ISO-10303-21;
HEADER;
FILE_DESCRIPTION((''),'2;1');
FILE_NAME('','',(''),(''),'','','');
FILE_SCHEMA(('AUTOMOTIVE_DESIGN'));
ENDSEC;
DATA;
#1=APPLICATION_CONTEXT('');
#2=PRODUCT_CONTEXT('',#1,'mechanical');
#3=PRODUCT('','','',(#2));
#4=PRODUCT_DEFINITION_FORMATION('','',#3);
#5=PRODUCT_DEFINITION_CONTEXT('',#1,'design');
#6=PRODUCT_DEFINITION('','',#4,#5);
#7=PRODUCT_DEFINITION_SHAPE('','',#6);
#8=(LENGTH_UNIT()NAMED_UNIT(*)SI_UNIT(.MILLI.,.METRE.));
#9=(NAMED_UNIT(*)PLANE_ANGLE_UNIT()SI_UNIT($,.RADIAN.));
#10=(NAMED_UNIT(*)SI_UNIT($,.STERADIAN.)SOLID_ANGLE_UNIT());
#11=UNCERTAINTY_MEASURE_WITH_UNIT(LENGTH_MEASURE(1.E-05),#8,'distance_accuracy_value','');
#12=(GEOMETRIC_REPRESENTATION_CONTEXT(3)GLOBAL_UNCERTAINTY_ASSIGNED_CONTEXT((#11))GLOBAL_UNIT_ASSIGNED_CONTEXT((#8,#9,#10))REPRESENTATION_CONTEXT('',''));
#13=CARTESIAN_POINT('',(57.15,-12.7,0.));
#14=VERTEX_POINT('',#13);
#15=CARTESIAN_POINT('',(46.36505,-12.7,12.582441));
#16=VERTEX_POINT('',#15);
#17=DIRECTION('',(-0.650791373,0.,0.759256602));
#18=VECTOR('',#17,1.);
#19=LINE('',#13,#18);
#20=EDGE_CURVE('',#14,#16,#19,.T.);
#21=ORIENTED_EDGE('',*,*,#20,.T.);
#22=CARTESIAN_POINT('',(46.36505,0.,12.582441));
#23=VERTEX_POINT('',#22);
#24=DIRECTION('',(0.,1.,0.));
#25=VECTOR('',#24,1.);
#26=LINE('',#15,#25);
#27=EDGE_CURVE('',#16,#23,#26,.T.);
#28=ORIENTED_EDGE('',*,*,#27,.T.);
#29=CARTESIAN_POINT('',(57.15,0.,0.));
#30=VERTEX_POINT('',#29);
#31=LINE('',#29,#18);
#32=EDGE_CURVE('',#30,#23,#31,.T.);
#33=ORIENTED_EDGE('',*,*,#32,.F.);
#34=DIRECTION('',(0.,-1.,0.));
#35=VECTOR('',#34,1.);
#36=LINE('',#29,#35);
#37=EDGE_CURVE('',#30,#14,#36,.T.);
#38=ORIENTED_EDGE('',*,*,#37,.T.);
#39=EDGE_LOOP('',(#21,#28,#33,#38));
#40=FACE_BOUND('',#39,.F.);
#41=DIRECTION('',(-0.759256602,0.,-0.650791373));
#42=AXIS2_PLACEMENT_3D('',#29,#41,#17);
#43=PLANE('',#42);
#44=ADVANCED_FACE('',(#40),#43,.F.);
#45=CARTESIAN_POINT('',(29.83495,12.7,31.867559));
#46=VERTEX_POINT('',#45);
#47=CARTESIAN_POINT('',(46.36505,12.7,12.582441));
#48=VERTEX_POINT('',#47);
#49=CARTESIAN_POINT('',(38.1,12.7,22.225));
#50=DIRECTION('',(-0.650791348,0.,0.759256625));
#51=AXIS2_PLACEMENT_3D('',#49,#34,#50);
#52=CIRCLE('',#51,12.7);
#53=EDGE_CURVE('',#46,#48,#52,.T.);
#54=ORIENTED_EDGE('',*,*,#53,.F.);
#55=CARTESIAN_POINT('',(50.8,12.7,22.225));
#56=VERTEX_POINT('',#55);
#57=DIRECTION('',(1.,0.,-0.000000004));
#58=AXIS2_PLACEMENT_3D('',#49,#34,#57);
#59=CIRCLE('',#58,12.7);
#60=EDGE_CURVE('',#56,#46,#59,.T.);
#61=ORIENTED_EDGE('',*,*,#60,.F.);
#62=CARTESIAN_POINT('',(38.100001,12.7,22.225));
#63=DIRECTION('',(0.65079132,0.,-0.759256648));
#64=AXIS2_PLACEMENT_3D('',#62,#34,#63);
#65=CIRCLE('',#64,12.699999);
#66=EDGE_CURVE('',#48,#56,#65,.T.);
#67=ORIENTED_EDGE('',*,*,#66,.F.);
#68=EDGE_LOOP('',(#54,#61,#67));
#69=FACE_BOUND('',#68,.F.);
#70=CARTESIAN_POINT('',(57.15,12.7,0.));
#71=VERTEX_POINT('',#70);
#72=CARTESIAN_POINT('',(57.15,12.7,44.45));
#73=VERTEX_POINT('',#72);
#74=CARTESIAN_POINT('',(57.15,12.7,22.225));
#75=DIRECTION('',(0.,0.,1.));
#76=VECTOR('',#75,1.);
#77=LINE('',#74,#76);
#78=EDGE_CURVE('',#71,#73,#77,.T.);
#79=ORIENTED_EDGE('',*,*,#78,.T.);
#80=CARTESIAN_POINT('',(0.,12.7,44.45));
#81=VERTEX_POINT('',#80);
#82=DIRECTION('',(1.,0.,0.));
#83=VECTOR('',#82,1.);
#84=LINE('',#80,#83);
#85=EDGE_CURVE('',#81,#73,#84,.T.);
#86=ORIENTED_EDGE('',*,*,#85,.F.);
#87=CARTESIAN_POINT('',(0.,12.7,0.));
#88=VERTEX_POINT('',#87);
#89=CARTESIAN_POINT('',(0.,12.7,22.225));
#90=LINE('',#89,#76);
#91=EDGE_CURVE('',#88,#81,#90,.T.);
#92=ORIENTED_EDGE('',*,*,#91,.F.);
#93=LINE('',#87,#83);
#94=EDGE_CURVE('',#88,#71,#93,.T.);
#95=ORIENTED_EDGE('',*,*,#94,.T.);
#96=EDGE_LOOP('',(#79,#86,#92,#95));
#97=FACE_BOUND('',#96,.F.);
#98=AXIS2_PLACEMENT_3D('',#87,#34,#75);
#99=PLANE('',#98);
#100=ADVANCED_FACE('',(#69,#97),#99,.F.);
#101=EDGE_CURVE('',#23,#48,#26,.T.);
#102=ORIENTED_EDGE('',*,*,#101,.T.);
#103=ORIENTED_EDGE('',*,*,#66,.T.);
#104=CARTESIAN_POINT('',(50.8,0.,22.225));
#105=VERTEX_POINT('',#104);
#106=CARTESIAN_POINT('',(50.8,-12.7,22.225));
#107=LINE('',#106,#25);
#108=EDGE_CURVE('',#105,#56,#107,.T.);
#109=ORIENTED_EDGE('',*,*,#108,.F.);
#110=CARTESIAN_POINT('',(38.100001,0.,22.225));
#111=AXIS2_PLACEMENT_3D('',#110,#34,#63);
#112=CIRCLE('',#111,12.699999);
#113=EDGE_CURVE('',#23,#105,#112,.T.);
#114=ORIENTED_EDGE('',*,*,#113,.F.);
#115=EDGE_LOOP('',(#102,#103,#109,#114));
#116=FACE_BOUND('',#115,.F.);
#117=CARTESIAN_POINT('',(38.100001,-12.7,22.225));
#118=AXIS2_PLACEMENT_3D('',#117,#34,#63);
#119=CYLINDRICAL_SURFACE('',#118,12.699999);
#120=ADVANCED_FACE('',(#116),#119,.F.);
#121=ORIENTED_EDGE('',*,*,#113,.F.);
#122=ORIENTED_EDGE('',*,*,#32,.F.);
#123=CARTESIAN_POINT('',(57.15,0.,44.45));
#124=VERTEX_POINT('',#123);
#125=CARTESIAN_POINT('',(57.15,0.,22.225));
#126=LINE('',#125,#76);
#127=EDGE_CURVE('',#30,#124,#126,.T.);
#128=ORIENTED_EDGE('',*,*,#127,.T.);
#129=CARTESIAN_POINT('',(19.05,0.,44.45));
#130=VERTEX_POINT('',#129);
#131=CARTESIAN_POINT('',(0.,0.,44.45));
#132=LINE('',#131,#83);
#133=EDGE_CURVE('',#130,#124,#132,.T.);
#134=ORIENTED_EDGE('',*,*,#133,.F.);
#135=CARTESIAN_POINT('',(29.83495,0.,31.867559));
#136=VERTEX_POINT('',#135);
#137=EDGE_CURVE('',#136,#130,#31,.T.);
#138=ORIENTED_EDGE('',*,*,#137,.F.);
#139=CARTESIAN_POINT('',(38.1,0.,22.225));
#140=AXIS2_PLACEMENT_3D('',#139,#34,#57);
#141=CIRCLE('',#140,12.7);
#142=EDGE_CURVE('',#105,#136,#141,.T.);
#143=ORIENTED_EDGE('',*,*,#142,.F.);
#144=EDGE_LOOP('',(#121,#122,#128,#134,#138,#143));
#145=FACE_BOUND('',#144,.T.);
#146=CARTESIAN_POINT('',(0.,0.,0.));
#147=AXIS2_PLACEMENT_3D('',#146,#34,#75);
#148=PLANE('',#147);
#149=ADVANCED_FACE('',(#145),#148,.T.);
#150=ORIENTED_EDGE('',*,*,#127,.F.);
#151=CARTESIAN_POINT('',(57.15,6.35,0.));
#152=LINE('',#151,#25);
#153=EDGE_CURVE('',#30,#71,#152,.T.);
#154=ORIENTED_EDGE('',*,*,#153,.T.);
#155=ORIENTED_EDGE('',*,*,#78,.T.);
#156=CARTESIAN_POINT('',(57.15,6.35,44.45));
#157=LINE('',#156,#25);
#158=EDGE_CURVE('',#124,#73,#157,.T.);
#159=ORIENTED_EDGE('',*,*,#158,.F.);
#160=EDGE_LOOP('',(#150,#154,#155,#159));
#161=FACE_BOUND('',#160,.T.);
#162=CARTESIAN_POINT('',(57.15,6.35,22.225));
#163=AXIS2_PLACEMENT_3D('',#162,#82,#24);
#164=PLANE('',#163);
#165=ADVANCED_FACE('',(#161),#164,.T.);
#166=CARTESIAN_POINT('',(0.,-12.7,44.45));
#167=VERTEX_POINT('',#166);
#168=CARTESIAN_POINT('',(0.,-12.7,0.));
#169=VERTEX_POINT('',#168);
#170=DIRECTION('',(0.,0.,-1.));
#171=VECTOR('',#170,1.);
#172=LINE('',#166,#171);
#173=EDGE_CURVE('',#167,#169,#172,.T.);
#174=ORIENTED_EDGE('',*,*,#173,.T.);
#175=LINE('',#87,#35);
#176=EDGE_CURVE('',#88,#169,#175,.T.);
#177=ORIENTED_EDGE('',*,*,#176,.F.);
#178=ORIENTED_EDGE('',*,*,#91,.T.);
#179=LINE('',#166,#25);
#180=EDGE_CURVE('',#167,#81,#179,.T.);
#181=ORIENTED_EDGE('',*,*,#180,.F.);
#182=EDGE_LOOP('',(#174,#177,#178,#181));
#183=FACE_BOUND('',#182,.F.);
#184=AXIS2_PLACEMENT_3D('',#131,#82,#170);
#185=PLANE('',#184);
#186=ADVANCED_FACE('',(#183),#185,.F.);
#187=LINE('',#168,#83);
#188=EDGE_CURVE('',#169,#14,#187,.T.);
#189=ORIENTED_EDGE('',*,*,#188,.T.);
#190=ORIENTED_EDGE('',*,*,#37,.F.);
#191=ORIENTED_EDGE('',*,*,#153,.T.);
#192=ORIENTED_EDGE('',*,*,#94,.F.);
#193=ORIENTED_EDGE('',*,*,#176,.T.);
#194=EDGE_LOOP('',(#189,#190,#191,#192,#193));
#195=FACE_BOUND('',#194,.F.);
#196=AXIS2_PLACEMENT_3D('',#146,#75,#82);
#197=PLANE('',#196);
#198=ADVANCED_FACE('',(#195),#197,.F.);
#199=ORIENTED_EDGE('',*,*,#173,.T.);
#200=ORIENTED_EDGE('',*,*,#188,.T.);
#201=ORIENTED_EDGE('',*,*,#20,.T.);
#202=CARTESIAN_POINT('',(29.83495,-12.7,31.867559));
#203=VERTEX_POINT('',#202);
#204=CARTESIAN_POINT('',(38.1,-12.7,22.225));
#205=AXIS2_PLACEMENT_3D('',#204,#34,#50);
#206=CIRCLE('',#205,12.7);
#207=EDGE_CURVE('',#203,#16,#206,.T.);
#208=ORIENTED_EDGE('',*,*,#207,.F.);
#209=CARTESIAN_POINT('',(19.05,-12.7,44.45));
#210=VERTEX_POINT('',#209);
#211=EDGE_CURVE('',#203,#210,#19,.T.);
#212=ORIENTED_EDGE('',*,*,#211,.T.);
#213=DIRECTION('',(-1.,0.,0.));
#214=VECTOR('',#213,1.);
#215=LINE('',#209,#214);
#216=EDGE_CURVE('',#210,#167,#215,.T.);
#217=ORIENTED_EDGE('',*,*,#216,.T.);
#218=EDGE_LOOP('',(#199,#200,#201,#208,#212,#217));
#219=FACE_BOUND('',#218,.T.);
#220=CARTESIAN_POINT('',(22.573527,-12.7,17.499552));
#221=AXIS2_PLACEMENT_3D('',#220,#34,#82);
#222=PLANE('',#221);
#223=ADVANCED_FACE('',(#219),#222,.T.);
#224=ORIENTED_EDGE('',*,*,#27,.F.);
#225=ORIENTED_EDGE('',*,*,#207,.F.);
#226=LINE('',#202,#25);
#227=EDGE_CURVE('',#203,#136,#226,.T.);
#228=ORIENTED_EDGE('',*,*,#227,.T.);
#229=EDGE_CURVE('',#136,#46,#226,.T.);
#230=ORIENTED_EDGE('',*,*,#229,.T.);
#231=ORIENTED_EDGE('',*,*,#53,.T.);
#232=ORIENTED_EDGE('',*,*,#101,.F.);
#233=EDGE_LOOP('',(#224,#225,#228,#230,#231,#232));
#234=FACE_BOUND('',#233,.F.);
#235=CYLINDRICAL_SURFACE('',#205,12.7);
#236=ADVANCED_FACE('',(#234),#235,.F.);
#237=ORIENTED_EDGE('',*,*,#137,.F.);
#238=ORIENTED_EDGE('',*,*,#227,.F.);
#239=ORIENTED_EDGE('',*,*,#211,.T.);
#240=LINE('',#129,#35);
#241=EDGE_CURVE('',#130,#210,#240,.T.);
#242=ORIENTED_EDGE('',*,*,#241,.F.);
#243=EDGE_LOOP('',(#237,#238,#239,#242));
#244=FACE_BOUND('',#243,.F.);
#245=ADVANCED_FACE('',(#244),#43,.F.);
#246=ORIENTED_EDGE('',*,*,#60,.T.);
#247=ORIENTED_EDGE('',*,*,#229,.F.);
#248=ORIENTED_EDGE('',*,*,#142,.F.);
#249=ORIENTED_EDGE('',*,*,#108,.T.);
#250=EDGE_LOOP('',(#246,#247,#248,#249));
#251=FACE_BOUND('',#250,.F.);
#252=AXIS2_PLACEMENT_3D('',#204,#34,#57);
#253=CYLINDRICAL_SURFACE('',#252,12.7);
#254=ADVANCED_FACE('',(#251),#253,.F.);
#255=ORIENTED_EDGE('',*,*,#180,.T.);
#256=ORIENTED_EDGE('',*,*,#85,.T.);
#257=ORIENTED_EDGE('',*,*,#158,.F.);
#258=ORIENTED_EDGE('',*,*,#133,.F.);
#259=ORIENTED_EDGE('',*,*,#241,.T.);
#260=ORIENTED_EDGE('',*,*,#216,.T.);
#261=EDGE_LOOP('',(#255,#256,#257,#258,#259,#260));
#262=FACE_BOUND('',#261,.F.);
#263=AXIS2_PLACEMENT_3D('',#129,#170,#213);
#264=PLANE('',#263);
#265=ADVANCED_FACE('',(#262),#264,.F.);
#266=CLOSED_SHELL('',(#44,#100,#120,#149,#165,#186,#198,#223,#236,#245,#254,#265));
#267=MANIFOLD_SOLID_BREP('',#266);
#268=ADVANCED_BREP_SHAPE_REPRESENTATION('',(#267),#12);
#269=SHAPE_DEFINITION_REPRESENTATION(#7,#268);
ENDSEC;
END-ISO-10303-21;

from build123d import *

# Parameters (mm, degrees)
F0_W     = 12.7
F0_H     = 44.45
F1_DEPTH = 57.15
F3_DEPTH = 12.7
F5_DEPTH = 25.4


with BuildPart() as f1:
    # F0 (on Right) → F1 (new body)
    with BuildSketch(Plane.YZ):
        with Locations((6.35, 22.225)):
            Rectangle(F0_W, F0_H)
    extrude(amount=F1_DEPTH)

    # F2 (on face) → F3 (join)
    with BuildSketch(Plane.XZ):
        Polygon((0, 44.45), (0, 0), (57.15, 0), (19.05, 44.45), align=None)
    extrude(amount=F3_DEPTH)

    # F4 (on face) → F5 (cut)
    with BuildSketch(Plane.XZ.offset(12.7)):
        with BuildLine():
            Line((46.36505, 12.582441), (29.83495, 31.867559))
            ThreePointArc((29.83495, 31.867559), (28.457441, 13.95995), (46.36505, 12.582441))
        make_face()
        with BuildLine():
            ThreePointArc((46.36505, 12.582441), (49.638114, 16.918219), (50.8, 22.225))
            ThreePointArc((50.8, 22.225), (43.406781, 33.763114), (29.83495, 31.867559))
            Line((29.83495, 31.867559), (46.36505, 12.582441))
        make_face()
    extrude(amount=-F5_DEPTH, mode=Mode.SUBTRACT)


solid = f1.part
